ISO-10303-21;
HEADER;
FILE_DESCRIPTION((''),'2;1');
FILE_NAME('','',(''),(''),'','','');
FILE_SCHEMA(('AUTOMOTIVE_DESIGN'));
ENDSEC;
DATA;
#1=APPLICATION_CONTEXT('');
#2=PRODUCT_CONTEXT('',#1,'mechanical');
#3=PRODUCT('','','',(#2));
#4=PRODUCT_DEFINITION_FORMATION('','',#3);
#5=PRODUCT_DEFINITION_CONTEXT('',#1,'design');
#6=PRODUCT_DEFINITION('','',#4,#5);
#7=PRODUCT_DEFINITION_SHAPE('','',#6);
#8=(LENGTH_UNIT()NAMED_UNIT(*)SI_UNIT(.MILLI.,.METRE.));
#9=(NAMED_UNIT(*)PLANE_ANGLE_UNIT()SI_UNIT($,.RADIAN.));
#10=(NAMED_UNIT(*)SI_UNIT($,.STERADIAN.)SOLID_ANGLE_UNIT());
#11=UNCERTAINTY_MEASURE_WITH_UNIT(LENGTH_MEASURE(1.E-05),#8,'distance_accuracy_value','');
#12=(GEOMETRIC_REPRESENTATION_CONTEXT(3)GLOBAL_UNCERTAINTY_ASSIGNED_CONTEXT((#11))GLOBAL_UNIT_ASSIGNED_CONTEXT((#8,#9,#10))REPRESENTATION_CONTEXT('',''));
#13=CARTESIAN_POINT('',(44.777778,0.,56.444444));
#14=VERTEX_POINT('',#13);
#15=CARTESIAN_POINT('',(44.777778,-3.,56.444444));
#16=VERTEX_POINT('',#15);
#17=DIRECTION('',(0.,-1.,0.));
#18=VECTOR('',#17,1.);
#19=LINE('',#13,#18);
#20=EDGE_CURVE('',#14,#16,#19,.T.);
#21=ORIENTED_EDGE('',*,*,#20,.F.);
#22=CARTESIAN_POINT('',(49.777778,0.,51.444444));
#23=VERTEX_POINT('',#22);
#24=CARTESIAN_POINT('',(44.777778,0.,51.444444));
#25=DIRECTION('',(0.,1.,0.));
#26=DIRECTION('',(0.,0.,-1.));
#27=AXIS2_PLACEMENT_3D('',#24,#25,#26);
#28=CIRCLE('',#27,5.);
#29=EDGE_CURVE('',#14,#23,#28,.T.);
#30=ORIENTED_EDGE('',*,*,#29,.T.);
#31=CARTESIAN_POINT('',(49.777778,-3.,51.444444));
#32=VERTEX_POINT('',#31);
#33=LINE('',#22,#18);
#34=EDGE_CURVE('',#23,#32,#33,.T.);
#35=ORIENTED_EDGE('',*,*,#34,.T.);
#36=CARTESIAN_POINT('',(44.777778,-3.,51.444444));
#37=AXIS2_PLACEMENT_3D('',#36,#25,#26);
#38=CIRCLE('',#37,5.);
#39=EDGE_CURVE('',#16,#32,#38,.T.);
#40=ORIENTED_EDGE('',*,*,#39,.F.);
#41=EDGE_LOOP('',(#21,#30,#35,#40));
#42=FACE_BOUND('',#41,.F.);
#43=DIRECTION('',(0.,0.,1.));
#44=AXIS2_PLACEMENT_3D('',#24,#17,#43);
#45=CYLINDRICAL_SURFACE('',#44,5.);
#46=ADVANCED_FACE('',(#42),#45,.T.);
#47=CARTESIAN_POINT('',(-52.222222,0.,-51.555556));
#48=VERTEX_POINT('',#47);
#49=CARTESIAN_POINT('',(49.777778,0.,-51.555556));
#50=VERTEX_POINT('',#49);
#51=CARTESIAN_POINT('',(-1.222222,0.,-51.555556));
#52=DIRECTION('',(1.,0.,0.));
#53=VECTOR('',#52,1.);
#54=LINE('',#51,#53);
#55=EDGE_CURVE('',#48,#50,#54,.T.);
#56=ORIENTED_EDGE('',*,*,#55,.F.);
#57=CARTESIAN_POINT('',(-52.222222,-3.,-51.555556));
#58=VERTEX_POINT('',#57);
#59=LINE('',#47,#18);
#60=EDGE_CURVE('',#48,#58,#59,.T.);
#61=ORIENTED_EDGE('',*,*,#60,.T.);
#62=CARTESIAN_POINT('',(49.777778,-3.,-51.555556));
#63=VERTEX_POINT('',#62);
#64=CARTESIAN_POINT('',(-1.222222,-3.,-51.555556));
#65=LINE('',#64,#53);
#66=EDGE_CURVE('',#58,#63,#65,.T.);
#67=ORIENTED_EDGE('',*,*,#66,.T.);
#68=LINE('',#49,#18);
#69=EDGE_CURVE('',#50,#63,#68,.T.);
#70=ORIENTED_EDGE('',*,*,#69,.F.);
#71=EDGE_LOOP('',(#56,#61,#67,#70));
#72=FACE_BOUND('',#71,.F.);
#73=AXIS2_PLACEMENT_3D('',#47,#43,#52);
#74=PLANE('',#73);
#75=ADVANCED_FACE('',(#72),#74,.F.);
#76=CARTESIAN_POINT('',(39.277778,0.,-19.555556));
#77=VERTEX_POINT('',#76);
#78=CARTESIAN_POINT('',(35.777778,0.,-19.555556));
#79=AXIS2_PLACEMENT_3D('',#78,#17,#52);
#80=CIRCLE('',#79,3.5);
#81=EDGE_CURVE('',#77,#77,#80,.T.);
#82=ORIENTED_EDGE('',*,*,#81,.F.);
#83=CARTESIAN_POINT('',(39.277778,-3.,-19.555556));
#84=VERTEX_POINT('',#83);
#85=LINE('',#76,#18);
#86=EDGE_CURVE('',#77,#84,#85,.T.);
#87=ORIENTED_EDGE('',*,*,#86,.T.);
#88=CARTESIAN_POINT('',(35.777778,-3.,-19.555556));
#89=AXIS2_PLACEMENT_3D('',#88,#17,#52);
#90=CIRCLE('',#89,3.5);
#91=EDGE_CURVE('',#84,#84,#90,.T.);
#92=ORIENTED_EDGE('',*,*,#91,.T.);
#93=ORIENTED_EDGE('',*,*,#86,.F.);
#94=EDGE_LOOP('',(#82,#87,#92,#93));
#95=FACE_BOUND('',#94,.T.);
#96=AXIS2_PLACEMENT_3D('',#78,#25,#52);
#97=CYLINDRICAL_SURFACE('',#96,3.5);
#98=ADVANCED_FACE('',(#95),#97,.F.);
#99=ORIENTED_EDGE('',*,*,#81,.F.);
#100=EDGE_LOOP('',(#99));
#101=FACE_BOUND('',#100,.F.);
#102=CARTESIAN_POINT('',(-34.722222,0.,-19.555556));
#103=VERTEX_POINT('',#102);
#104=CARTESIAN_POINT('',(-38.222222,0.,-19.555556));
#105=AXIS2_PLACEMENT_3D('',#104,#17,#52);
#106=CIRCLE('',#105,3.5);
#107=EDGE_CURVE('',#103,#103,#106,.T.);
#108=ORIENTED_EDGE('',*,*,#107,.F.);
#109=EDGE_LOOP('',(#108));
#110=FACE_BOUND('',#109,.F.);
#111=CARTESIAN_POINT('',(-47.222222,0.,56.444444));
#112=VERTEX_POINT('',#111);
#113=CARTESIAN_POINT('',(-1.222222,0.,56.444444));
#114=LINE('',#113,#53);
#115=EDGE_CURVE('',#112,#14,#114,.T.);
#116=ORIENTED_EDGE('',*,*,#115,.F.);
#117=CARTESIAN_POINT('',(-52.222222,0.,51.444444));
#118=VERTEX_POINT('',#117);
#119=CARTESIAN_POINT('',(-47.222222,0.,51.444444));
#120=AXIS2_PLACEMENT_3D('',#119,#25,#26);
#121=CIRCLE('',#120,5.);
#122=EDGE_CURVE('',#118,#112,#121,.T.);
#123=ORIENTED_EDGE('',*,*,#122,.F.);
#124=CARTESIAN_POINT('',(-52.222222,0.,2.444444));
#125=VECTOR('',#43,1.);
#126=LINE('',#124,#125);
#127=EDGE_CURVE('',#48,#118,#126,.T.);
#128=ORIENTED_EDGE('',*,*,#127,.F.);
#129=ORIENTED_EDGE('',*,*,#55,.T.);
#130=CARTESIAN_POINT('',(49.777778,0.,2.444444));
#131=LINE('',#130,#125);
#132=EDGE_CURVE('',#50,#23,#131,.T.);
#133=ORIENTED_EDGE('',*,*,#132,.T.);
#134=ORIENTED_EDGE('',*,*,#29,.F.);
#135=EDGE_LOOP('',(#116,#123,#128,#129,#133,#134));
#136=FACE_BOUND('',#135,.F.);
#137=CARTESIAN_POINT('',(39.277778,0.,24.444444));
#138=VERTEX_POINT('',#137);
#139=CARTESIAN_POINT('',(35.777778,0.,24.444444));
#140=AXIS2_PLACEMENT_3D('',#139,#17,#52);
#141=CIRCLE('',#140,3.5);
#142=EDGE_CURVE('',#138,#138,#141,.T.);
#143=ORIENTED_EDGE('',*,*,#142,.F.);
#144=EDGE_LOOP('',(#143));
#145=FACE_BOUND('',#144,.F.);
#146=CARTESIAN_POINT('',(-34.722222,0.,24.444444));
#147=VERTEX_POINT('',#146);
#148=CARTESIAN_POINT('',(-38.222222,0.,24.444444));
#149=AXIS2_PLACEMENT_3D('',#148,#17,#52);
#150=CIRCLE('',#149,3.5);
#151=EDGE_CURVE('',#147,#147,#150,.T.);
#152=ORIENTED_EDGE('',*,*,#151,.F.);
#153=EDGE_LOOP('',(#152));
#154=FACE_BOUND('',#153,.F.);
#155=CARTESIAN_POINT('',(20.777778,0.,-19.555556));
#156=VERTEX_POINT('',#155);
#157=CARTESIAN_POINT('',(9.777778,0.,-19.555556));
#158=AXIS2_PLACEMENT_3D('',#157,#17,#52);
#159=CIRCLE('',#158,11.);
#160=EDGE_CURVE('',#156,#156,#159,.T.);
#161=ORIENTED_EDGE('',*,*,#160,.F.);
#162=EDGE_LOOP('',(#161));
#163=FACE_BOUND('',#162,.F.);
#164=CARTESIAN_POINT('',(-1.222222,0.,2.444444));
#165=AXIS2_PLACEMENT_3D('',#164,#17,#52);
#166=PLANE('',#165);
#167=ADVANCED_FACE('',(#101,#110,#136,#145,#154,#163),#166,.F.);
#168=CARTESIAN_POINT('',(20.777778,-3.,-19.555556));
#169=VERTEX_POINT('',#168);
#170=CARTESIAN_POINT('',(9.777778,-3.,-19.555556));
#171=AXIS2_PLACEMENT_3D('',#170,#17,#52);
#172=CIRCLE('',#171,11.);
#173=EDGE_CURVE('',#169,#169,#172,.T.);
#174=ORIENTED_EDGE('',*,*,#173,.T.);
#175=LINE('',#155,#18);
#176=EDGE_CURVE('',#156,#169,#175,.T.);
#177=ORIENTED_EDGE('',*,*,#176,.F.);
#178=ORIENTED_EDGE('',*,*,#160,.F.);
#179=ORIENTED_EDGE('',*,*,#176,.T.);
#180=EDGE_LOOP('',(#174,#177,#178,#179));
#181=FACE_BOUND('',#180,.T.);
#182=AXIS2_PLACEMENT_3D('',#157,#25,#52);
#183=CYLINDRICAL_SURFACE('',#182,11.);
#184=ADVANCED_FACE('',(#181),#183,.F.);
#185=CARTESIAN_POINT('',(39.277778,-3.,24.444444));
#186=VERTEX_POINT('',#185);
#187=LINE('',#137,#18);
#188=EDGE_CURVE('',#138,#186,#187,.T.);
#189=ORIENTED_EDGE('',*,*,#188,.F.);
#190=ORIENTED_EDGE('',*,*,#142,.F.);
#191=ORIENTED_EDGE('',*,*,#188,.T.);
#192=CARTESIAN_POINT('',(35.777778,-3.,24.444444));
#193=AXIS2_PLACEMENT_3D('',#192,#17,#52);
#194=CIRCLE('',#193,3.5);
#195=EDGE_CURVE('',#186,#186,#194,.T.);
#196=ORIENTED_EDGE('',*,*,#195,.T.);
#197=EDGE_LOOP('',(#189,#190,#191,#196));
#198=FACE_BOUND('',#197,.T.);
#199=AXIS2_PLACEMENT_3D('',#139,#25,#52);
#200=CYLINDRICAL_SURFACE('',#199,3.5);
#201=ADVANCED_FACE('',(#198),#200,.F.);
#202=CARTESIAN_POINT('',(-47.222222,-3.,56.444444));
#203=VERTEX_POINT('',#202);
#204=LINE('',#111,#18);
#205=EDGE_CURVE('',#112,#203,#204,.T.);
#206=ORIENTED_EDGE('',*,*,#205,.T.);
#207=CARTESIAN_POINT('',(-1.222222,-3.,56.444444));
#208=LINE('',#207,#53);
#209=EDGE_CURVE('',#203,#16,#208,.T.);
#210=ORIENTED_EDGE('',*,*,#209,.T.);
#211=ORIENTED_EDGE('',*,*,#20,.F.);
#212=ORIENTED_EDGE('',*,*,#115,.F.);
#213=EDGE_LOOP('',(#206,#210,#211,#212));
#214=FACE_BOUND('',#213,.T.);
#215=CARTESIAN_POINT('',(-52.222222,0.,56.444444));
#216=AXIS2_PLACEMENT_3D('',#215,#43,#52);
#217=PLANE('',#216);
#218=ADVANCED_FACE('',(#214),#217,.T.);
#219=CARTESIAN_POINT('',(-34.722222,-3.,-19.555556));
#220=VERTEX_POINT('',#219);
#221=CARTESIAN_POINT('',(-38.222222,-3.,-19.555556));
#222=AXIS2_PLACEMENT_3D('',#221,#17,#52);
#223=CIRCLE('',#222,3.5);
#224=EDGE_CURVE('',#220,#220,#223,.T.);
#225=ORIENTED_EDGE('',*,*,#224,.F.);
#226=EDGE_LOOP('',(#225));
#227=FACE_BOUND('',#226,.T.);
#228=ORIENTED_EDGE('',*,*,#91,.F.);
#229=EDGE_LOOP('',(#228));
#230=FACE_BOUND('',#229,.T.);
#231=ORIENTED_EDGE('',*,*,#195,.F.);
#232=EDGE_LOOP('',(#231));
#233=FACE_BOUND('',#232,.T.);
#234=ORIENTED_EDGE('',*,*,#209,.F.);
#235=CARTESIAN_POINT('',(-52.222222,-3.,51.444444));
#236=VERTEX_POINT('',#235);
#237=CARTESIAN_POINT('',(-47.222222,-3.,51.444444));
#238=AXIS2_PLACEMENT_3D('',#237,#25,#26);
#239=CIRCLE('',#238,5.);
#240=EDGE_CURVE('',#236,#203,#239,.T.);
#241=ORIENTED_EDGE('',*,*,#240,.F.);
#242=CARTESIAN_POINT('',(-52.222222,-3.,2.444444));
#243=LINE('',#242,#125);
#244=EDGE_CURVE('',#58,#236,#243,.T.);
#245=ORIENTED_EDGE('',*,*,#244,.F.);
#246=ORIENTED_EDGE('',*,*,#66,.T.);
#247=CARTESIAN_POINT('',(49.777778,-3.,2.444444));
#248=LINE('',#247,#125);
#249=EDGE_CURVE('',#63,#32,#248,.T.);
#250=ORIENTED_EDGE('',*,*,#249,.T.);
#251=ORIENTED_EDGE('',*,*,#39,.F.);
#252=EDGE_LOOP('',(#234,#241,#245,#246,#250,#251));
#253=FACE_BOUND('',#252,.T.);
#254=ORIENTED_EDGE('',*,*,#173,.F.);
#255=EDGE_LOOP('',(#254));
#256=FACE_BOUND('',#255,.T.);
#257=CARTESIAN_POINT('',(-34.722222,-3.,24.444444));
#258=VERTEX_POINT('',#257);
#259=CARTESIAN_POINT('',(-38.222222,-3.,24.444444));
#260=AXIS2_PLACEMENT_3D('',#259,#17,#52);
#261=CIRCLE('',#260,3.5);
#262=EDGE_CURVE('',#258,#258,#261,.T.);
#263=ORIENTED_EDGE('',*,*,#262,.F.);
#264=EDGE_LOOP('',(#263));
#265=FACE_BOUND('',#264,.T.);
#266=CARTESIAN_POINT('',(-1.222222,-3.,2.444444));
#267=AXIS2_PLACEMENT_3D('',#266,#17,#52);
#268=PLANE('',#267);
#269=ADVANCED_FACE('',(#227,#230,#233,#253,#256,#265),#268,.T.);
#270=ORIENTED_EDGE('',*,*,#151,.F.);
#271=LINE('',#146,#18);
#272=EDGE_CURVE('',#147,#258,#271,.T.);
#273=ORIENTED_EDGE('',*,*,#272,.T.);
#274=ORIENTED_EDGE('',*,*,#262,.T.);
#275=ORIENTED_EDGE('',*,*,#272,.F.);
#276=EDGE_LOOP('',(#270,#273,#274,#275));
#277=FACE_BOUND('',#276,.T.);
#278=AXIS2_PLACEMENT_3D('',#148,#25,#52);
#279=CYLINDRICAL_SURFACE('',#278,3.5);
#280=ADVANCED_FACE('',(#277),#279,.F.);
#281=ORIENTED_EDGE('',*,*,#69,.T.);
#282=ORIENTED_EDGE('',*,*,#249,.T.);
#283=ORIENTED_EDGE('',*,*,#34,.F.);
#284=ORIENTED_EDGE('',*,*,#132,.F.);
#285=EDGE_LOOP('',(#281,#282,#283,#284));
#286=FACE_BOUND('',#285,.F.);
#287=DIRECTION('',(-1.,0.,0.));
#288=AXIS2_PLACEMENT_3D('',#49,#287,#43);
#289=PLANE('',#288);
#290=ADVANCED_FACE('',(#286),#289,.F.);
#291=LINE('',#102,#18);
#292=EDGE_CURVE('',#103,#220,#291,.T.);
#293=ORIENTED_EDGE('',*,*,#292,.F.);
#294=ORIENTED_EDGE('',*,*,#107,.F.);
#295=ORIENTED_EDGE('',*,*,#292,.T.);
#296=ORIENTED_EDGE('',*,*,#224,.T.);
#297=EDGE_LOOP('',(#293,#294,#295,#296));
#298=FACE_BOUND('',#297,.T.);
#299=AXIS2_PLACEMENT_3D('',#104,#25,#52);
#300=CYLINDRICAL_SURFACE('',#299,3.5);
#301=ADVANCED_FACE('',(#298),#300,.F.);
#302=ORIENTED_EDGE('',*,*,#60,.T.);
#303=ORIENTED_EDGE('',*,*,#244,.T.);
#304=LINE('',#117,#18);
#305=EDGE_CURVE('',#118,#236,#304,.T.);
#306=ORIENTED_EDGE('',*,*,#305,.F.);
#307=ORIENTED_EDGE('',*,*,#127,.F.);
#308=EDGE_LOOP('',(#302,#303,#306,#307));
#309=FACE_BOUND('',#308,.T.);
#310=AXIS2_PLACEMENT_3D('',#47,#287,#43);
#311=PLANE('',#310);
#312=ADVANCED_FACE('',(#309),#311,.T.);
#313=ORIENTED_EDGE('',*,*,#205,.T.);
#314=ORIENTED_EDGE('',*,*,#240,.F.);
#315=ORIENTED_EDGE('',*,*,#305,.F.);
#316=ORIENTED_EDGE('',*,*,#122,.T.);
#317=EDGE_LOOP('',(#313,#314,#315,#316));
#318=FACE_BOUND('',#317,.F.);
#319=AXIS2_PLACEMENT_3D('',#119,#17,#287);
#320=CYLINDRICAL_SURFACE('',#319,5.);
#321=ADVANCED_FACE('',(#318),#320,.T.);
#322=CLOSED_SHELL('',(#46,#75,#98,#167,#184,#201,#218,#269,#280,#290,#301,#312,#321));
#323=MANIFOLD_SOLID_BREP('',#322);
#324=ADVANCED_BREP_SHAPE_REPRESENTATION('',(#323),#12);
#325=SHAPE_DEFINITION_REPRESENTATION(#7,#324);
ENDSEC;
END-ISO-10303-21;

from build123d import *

# Parameters (mm, degrees)
F0_W     = 102
F0_H     = 108
F0_R     = 3.5
F0_R_2   = 11
F1_DEPTH = 3
F2_R     = 5


with BuildPart() as f1:
    # F0 (on Front) → F1 (new body)
    with BuildSketch(Plane.XZ):
        with Locations((-1.222222, 2.444444)):
            Rectangle(F0_W, F0_H)
        with Locations((-38.222222, -19.555556)):
            Circle(F0_R, mode=Mode.SUBTRACT)
        with Locations((9.777778, -19.555556)):
            Circle(F0_R_2, mode=Mode.SUBTRACT)
        with Locations((35.777778, -19.555556)):
            Circle(F0_R, mode=Mode.SUBTRACT)
        with Locations((-38.222222, 24.444444)):
            Circle(F0_R, mode=Mode.SUBTRACT)
        with Locations((35.777778, 24.444444)):
            Circle(F0_R, mode=Mode.SUBTRACT)
    extrude(amount=F1_DEPTH)

    # F2
    f2_edges = [f1.edges().sort_by_distance(p)[0] for p in [
        (49.777778, -1.5, 56.444444),
        (-52.222222, -1.5, 56.444444),
    ]]
    fillet(f2_edges, radius=F2_R)


solid = f1.part
